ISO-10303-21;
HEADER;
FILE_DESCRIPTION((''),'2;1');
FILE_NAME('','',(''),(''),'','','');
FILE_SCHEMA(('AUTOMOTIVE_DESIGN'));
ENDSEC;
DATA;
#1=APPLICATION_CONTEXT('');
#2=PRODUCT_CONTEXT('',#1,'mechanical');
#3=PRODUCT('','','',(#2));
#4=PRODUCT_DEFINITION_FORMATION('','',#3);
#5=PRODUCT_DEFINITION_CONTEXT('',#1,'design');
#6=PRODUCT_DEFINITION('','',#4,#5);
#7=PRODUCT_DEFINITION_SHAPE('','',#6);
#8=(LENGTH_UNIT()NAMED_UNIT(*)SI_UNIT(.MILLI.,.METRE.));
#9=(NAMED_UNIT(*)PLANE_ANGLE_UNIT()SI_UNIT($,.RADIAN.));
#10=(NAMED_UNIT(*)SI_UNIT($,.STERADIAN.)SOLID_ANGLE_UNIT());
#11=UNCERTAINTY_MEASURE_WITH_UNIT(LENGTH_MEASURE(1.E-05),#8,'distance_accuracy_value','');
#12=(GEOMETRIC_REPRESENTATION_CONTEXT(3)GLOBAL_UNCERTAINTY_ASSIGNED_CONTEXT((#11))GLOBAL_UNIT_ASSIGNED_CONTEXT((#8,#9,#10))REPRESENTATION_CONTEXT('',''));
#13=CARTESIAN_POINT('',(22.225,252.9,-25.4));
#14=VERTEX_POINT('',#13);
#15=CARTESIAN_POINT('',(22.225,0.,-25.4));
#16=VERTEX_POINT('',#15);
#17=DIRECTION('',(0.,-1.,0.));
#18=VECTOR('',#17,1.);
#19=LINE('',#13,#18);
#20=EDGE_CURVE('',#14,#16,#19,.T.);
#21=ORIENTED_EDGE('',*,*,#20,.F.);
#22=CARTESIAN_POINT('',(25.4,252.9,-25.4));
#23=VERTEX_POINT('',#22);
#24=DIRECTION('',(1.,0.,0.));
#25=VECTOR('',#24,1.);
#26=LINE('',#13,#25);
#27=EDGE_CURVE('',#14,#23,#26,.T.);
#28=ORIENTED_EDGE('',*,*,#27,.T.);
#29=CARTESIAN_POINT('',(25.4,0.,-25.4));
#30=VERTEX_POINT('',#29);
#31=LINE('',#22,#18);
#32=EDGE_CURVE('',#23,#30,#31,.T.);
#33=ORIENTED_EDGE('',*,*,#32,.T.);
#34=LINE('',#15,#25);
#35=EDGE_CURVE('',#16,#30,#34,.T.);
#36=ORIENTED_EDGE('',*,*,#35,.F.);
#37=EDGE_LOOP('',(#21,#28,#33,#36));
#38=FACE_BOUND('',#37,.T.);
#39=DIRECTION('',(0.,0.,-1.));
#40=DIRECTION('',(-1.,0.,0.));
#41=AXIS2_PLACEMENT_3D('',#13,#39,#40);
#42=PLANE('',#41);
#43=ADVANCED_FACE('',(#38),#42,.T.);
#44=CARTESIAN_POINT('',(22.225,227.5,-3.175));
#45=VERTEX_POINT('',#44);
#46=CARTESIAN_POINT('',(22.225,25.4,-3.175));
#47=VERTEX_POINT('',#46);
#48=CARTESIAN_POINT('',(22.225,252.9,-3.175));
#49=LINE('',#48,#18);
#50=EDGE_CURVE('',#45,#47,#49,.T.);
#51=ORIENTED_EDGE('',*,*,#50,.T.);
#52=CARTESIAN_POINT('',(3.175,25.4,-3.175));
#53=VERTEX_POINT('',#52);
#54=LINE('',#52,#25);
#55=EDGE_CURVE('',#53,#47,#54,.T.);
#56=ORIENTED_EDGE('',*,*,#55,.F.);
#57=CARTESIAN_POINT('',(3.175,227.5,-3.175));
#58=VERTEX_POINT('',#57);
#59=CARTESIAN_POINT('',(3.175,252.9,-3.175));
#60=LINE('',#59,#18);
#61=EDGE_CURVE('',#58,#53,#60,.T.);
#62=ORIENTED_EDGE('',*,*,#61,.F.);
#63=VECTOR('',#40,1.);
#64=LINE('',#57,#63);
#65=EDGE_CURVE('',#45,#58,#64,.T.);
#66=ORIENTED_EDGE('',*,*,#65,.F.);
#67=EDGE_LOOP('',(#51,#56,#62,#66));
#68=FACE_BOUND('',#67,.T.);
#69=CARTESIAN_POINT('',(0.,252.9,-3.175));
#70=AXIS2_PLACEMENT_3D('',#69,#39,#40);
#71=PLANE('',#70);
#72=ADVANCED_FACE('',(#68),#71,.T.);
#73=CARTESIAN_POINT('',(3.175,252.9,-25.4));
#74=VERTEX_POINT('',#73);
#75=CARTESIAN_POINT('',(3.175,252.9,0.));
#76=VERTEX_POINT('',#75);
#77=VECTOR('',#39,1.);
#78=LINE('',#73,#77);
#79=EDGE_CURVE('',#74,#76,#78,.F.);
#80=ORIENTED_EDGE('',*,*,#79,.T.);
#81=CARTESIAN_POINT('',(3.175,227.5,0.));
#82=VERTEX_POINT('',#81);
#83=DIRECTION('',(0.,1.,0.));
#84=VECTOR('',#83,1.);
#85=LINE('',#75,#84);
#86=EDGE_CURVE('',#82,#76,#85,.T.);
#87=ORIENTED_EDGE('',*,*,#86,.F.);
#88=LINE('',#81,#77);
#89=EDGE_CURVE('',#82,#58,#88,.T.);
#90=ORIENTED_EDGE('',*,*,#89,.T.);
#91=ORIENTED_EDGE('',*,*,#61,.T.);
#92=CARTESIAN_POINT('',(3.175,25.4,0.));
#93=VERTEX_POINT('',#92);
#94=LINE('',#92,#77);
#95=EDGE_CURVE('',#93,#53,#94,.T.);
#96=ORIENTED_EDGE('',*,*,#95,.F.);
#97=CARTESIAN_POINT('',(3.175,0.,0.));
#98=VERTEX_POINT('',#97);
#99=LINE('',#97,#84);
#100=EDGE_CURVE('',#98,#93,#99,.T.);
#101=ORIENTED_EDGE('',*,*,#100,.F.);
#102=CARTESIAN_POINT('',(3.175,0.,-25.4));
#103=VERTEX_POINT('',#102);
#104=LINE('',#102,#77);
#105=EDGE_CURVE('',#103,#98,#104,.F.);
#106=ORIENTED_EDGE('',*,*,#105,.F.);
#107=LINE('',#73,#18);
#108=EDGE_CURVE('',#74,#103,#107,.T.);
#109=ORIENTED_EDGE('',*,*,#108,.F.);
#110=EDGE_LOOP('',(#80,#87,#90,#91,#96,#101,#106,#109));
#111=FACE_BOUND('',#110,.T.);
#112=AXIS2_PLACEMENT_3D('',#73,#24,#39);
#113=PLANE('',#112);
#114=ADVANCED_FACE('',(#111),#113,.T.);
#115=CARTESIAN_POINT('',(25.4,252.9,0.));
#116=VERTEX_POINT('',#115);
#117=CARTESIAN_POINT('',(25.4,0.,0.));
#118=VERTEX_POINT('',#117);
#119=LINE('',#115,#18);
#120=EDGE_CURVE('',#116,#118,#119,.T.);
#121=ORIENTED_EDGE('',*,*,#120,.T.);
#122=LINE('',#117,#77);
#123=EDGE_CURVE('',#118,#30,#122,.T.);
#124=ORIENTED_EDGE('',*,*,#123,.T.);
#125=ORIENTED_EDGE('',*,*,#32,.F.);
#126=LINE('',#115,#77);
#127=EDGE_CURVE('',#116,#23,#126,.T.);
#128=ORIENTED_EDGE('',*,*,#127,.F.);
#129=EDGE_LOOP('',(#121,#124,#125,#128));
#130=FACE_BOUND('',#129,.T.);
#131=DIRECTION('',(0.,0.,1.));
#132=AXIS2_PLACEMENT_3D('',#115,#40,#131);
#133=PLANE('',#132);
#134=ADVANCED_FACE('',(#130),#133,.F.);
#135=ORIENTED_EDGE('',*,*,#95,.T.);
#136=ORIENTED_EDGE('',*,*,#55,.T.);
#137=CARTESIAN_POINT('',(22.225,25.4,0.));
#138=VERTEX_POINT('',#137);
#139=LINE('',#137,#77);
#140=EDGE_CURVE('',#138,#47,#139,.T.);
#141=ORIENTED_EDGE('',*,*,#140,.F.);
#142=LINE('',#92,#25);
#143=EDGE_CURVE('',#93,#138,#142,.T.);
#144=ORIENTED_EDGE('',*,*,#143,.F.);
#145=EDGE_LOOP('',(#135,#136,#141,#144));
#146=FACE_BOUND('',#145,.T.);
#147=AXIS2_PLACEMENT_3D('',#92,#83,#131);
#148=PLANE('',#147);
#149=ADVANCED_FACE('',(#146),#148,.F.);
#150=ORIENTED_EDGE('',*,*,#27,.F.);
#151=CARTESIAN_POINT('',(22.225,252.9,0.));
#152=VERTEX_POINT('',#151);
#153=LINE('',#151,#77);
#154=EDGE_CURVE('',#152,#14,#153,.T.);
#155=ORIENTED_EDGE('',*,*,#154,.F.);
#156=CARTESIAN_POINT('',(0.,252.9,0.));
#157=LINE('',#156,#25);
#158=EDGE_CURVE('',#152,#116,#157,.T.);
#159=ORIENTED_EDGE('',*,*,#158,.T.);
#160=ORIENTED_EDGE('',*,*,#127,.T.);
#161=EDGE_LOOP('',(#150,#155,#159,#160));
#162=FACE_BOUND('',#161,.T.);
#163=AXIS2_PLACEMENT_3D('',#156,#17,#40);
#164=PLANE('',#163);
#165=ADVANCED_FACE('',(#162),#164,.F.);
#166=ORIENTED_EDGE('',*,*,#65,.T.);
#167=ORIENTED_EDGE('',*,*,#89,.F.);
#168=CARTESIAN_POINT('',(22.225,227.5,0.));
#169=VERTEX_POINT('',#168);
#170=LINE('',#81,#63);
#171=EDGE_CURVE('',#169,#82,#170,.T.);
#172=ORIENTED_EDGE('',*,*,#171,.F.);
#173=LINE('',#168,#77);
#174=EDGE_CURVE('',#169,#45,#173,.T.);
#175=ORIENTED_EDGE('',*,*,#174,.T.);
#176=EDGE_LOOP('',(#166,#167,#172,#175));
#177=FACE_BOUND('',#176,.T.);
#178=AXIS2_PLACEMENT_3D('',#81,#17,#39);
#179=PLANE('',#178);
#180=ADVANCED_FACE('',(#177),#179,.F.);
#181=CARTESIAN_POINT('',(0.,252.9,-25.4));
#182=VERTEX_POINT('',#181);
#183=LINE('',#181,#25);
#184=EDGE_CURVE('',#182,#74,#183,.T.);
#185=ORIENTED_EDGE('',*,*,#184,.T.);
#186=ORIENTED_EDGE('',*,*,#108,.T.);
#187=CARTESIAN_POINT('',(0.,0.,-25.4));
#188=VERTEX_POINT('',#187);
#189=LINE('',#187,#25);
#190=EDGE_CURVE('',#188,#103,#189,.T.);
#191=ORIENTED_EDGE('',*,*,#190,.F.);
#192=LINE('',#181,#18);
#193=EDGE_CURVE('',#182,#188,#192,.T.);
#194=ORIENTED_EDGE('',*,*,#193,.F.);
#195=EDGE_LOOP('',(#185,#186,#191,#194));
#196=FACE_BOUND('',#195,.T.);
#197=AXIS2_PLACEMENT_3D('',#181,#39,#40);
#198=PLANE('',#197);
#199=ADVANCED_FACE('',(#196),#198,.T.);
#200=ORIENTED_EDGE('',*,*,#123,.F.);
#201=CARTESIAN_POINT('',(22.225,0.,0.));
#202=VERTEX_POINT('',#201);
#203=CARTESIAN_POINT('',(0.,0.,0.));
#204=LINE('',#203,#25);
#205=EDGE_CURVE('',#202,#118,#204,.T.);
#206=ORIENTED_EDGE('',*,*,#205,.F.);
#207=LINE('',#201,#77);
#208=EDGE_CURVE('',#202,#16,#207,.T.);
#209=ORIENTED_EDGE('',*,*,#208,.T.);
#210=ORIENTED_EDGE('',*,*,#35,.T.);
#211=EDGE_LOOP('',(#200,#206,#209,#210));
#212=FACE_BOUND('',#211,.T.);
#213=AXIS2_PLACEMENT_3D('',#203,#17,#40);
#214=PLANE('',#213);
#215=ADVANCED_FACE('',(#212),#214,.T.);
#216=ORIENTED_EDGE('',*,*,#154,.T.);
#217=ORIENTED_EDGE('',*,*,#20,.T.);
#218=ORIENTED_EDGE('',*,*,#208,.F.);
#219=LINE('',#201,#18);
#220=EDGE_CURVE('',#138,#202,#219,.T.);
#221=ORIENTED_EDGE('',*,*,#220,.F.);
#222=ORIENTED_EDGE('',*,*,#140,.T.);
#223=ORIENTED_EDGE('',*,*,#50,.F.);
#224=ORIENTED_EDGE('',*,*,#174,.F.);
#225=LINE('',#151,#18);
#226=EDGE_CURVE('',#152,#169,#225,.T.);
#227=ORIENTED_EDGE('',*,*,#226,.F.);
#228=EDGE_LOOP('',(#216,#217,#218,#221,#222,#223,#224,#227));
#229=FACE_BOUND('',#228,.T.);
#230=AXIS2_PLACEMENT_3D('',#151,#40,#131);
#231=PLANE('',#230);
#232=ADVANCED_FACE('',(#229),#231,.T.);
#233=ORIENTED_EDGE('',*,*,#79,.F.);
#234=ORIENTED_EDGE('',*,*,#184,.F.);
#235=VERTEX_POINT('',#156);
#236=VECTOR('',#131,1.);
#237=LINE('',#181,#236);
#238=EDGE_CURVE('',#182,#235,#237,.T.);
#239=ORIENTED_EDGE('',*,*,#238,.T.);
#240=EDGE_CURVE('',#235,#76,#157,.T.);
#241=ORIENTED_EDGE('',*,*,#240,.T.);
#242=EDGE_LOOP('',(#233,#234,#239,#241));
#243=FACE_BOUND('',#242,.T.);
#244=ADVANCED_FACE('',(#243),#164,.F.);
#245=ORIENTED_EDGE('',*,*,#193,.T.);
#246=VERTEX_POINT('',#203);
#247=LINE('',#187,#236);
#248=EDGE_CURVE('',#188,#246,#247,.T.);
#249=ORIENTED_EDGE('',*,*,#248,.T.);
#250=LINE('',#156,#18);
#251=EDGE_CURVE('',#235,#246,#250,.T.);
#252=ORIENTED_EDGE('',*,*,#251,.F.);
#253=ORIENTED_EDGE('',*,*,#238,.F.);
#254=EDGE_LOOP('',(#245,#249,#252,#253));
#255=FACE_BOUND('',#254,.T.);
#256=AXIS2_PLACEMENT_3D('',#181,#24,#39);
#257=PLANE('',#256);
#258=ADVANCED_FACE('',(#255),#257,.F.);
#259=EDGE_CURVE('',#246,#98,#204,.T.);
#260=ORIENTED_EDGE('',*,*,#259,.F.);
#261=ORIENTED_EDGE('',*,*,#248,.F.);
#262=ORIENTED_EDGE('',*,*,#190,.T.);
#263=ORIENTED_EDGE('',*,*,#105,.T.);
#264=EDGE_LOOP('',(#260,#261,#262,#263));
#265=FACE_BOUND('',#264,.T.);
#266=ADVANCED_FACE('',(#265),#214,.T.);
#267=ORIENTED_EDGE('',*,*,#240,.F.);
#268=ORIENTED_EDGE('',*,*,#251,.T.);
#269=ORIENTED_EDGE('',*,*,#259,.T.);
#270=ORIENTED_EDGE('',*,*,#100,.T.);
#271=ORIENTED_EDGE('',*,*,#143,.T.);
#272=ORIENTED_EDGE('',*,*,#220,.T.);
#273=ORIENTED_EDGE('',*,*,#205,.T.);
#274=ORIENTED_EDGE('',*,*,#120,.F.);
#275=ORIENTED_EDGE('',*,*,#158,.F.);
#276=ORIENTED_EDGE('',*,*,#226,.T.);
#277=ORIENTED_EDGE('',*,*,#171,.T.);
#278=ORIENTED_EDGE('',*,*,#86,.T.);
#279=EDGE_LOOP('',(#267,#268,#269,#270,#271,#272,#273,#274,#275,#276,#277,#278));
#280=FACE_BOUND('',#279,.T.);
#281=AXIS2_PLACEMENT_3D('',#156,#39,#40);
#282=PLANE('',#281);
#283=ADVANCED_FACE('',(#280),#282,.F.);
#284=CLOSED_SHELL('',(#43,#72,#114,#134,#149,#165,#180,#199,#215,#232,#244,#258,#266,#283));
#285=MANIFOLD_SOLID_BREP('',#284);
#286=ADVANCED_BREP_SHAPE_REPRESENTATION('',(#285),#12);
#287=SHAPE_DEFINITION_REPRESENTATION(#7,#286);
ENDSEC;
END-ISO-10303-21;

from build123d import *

# Parameters (mm, degrees)
EXTRUDE_THIN1_DEPTH = 252.9
SKETCH2_W           = 19.05
SKETCH2_H           = 25.4
CUT_EXTRUDE1_DEPTH  = 3.175


with BuildPart() as part:
    # Sketch1 → Extrude-Thin1 (new body)
    with BuildSketch(Plane(origin=(0, 0, 0), x_dir=(1, 0, 0), z_dir=(0, 1, 0))):
        Polygon((0, 25.4), (0, 0), (25.4, 0), (25.4, 25.4), (22.225, 25.4), (22.225, 3.175), (3.175, 3.175), (3.175, 25.4), align=None)
    extrude(amount=EXTRUDE_THIN1_DEPTH)

    # Sketch2 → Cut-Extrude1 (cut)
    with BuildSketch(Plane(origin=(0, 0, -3.175), x_dir=(-1, 0, 0), z_dir=(0, 0, -1))):
        with Locations((-12.7, 12.7)):
            Rectangle(SKETCH2_W, SKETCH2_H)
        with Locations((-12.7, 240.2)):
            Rectangle(SKETCH2_W, SKETCH2_H)
    extrude(amount=-CUT_EXTRUDE1_DEPTH, mode=Mode.SUBTRACT)


solid = part.part
